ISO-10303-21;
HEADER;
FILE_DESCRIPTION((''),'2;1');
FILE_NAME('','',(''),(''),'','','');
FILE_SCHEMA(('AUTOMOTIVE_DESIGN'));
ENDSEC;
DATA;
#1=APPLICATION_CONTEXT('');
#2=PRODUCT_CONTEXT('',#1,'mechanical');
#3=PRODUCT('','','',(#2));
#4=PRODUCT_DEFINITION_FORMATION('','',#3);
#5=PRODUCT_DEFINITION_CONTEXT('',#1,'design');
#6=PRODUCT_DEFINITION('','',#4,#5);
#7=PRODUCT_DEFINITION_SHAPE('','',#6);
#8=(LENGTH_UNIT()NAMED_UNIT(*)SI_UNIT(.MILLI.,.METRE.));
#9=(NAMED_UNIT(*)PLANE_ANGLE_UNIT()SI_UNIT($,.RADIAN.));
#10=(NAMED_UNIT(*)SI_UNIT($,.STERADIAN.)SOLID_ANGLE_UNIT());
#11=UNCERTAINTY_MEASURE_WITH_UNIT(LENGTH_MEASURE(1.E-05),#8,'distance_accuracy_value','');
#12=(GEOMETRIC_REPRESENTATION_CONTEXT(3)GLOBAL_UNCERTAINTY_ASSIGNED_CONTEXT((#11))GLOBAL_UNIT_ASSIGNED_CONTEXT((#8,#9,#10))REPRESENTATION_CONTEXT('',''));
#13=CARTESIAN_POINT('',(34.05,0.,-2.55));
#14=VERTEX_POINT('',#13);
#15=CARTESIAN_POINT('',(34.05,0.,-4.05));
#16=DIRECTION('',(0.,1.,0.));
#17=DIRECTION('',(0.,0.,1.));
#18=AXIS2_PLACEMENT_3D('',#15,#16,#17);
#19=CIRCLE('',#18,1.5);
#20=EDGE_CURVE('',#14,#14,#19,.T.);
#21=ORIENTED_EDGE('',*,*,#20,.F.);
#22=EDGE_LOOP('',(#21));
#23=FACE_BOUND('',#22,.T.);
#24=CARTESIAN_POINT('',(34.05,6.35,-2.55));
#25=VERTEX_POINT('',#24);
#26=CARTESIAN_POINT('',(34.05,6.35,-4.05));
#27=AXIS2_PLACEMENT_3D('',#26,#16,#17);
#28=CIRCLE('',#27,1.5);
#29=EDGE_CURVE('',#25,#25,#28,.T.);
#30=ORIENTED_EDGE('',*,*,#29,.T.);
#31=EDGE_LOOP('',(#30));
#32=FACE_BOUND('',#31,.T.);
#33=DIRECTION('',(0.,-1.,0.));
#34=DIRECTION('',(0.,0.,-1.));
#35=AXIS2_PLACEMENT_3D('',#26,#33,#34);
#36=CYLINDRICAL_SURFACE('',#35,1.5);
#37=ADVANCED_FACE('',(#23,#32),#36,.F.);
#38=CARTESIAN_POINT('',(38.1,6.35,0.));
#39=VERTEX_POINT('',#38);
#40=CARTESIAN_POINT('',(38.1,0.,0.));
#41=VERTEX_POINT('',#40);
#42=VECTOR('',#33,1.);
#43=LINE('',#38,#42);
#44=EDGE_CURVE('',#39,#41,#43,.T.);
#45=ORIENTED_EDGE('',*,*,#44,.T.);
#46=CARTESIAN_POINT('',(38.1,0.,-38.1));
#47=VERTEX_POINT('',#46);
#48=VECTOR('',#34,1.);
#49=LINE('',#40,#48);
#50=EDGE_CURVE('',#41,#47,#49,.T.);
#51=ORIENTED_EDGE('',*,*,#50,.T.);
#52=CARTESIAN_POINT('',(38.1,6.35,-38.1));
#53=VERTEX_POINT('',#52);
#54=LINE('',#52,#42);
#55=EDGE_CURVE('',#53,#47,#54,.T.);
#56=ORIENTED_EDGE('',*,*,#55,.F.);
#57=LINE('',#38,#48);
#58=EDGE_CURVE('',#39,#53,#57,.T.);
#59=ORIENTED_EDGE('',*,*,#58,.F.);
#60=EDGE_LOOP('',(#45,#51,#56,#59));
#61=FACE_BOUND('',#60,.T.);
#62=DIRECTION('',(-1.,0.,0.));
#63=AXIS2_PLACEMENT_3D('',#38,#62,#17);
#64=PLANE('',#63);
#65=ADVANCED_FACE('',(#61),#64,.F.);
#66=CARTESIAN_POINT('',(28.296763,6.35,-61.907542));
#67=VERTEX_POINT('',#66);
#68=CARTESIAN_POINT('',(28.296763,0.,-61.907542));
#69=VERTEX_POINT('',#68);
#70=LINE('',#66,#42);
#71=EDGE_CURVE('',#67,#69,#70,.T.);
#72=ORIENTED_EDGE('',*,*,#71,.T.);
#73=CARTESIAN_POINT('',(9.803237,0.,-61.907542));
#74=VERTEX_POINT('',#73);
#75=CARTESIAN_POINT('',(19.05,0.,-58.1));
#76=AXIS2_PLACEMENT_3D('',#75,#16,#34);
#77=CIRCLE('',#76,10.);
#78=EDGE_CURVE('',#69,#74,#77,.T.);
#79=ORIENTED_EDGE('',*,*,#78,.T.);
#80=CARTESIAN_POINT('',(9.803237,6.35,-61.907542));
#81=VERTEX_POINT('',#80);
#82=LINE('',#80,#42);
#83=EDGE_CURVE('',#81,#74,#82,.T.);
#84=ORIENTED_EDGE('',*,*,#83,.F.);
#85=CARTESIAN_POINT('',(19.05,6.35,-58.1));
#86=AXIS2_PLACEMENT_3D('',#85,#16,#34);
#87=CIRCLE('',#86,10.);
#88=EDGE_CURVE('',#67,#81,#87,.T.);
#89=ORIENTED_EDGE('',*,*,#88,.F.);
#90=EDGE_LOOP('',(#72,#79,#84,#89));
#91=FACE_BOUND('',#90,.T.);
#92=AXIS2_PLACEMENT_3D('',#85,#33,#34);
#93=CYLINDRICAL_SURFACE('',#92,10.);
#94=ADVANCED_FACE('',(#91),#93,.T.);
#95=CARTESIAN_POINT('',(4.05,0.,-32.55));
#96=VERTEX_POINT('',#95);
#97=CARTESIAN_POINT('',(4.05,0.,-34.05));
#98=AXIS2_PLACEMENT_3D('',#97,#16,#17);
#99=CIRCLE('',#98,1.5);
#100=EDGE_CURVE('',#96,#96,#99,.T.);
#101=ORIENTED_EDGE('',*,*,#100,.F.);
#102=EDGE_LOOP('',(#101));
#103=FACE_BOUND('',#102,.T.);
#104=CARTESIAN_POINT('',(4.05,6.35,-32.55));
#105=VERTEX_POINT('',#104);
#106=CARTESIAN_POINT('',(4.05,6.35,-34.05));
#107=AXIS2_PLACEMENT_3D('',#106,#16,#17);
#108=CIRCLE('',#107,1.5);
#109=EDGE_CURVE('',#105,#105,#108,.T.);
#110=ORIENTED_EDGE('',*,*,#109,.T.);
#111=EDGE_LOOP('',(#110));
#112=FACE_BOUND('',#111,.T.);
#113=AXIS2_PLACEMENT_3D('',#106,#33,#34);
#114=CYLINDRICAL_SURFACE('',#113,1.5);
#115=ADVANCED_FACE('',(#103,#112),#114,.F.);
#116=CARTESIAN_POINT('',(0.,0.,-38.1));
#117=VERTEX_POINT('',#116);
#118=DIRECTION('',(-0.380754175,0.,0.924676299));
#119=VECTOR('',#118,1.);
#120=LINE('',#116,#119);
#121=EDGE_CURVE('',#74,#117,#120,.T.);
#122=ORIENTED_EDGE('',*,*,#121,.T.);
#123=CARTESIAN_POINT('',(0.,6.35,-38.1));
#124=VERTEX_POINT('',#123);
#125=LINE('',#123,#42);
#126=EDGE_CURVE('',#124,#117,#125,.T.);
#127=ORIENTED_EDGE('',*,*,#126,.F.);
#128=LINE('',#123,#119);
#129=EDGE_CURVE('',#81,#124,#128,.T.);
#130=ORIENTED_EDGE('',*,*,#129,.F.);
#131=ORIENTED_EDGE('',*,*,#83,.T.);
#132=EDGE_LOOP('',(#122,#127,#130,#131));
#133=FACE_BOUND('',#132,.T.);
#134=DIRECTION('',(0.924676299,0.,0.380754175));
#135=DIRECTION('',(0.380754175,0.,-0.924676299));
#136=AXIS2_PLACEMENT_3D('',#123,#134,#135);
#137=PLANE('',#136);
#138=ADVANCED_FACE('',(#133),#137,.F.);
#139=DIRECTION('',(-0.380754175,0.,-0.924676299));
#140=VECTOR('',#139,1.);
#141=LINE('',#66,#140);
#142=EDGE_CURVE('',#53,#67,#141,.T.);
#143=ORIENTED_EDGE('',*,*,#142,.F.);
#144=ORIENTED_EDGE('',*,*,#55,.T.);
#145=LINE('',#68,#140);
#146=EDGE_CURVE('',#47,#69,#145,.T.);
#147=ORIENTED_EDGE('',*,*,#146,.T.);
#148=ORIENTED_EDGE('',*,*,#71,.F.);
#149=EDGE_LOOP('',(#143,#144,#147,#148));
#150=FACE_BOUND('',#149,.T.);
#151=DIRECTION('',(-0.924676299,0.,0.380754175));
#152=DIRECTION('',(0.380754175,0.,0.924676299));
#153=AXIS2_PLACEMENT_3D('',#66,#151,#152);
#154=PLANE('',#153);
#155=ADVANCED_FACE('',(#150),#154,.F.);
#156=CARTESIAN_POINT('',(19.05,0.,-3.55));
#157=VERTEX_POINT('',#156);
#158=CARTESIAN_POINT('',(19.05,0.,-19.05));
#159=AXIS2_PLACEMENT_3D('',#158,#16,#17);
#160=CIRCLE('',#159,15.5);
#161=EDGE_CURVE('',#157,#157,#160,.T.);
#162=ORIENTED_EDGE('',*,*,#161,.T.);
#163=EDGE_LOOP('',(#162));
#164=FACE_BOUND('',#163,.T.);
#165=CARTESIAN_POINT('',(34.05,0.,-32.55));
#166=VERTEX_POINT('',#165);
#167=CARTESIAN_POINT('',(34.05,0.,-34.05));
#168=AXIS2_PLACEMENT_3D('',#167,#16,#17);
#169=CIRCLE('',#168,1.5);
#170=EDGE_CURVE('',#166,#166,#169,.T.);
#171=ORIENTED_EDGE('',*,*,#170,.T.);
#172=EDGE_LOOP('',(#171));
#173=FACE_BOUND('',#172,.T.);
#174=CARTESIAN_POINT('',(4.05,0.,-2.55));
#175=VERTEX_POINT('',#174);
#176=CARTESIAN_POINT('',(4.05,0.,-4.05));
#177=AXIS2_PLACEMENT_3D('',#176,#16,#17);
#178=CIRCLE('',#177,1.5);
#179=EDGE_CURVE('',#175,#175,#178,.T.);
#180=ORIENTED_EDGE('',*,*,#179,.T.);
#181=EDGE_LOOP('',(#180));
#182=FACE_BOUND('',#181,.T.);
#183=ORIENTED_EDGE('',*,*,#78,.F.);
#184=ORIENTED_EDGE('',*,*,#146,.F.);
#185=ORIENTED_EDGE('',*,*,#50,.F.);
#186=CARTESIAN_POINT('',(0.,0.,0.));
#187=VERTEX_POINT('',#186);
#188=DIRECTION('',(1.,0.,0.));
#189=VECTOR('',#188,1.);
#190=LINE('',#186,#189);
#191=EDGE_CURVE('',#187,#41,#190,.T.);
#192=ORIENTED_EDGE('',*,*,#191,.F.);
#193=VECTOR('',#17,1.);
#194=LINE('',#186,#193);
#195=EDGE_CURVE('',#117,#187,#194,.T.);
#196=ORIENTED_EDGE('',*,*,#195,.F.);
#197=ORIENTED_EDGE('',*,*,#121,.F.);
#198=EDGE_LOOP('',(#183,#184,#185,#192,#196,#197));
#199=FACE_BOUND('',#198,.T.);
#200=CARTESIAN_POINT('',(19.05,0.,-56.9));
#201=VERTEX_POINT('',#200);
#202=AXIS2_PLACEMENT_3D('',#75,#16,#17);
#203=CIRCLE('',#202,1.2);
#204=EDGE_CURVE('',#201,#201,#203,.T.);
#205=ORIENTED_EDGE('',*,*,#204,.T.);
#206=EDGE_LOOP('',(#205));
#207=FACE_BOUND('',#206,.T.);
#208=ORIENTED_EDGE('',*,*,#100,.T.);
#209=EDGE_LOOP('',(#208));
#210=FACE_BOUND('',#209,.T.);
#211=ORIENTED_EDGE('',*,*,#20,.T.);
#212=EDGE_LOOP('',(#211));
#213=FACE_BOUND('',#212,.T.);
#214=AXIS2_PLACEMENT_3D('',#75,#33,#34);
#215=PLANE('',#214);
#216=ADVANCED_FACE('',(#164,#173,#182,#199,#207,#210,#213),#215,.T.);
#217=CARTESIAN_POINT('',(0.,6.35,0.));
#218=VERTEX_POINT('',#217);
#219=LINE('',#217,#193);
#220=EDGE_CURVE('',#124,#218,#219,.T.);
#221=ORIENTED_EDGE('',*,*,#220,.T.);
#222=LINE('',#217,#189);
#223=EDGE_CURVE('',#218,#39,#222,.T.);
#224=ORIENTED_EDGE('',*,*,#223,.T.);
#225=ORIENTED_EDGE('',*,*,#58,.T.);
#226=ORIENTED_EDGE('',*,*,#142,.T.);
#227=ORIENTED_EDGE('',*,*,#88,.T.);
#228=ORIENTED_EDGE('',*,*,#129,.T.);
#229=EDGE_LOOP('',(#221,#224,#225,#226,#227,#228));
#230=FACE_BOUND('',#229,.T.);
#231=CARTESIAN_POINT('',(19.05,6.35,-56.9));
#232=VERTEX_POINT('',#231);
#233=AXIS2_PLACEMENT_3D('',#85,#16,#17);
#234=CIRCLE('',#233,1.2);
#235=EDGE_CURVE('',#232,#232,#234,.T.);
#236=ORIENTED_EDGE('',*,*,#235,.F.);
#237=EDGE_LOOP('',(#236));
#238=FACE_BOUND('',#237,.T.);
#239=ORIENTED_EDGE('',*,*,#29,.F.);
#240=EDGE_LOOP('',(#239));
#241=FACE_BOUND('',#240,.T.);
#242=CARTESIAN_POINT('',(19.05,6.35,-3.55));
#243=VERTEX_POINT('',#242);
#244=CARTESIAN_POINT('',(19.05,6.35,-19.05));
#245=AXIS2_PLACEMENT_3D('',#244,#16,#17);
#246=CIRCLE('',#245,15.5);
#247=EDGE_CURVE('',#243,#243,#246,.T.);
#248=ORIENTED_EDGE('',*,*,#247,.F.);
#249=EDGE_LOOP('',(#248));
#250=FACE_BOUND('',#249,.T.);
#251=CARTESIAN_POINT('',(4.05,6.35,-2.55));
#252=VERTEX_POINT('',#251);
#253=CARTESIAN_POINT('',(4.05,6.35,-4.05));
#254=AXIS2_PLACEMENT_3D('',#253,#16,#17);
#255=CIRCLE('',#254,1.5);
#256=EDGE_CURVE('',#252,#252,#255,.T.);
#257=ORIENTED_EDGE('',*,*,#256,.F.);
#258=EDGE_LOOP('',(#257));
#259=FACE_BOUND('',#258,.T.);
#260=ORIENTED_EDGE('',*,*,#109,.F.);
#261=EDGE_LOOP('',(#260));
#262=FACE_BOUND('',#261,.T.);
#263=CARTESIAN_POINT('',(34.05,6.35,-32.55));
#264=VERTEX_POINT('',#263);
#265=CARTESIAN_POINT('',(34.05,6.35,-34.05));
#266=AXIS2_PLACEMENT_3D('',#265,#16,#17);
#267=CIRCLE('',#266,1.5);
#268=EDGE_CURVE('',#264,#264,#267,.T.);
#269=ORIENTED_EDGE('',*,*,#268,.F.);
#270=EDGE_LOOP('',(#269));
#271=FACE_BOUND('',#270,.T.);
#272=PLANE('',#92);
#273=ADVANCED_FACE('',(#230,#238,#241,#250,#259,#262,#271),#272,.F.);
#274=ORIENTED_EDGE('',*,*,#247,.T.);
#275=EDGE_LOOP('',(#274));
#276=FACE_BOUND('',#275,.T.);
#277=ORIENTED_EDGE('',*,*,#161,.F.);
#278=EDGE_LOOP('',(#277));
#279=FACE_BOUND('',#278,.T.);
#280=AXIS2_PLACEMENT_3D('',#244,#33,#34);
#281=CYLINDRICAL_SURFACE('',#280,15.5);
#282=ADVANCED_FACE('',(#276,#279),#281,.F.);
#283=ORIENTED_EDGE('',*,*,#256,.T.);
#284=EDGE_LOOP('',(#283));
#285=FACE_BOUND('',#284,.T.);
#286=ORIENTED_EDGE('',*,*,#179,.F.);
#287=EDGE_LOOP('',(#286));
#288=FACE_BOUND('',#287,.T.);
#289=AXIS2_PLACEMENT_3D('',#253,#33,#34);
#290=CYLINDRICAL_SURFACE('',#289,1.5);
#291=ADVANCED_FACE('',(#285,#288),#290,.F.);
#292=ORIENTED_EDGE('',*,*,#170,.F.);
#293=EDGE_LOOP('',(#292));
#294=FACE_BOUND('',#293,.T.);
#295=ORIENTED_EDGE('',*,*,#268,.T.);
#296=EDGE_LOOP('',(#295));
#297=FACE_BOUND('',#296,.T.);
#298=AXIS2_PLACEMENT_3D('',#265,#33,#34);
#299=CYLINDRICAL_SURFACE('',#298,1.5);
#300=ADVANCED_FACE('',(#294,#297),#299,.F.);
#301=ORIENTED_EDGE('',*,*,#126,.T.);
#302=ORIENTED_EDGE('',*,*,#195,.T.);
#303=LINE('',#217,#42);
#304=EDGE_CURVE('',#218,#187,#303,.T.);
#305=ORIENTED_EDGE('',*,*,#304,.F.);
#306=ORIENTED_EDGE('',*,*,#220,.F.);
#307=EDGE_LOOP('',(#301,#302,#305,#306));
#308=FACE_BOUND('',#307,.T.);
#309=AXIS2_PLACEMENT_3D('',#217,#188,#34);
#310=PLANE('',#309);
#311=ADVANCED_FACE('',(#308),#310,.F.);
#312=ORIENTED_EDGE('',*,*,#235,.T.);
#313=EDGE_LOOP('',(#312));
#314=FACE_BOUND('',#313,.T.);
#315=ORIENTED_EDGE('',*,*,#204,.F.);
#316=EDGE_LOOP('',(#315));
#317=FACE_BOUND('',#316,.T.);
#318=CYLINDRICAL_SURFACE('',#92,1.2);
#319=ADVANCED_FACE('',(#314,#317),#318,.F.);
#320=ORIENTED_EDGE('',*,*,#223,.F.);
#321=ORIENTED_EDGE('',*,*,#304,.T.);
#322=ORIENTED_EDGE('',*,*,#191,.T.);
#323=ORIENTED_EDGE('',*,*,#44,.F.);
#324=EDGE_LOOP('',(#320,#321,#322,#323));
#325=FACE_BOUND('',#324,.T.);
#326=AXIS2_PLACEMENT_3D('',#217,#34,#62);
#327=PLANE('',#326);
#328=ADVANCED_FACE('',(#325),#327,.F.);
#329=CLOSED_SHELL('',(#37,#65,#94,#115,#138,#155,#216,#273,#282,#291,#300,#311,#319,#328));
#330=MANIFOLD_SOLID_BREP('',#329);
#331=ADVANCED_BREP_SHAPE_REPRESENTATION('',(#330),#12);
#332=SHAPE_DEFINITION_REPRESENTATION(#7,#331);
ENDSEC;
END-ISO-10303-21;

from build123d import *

# Parameters (mm, degrees)
SKETCH1_R           = 1.5
SKETCH1_R_2         = 15.5
SKETCH1_R_3         = 1.2
BOSS_EXTRUDE1_DEPTH = 6.35


with BuildPart() as part:
    # Sketch1 → Boss-Extrude1 (new body)
    with BuildSketch(Plane(origin=(0, 0, 0), x_dir=(1, 0, 0), z_dir=(0, 1, 0))):
        with BuildLine():
            Line((0, 0), (38.1, 0))
            Line((38.1, 0), (38.1, 38.1))
            Line((38.1, 38.1), (28.296762992, 61.90754175))
            ThreePointArc((28.296762992, 61.90754175), (19.05, 68.1), (9.803237008, 61.90754175))
            Line((9.803237008, 61.90754175), (0, 38.1))
            Line((0, 38.1), (0, 0))
        make_face()
        with Locations(Location((4.05, 4.05, 0), (0, 0, 270))):
            Circle(SKETCH1_R, mode=Mode.SUBTRACT)
        with Locations(Location((34.05, 4.05, 0), (0, 0, 270))):
            Circle(SKETCH1_R, mode=Mode.SUBTRACT)
        with Locations(Location((34.05, 34.05, 0), (0, 0, 270))):
            Circle(SKETCH1_R, mode=Mode.SUBTRACT)
        with Locations(Location((4.05, 34.05, 0), (0, 0, 270))):
            Circle(SKETCH1_R, mode=Mode.SUBTRACT)
        with Locations(Location((19.05, 19.05, 0), (0, 0, 270))):
            Circle(SKETCH1_R_2, mode=Mode.SUBTRACT)
        with Locations(Location((19.05, 58.1, 0), (0, 0, 270))):
            Circle(SKETCH1_R_3, mode=Mode.SUBTRACT)
    extrude(amount=BOSS_EXTRUDE1_DEPTH)


solid = part.part
